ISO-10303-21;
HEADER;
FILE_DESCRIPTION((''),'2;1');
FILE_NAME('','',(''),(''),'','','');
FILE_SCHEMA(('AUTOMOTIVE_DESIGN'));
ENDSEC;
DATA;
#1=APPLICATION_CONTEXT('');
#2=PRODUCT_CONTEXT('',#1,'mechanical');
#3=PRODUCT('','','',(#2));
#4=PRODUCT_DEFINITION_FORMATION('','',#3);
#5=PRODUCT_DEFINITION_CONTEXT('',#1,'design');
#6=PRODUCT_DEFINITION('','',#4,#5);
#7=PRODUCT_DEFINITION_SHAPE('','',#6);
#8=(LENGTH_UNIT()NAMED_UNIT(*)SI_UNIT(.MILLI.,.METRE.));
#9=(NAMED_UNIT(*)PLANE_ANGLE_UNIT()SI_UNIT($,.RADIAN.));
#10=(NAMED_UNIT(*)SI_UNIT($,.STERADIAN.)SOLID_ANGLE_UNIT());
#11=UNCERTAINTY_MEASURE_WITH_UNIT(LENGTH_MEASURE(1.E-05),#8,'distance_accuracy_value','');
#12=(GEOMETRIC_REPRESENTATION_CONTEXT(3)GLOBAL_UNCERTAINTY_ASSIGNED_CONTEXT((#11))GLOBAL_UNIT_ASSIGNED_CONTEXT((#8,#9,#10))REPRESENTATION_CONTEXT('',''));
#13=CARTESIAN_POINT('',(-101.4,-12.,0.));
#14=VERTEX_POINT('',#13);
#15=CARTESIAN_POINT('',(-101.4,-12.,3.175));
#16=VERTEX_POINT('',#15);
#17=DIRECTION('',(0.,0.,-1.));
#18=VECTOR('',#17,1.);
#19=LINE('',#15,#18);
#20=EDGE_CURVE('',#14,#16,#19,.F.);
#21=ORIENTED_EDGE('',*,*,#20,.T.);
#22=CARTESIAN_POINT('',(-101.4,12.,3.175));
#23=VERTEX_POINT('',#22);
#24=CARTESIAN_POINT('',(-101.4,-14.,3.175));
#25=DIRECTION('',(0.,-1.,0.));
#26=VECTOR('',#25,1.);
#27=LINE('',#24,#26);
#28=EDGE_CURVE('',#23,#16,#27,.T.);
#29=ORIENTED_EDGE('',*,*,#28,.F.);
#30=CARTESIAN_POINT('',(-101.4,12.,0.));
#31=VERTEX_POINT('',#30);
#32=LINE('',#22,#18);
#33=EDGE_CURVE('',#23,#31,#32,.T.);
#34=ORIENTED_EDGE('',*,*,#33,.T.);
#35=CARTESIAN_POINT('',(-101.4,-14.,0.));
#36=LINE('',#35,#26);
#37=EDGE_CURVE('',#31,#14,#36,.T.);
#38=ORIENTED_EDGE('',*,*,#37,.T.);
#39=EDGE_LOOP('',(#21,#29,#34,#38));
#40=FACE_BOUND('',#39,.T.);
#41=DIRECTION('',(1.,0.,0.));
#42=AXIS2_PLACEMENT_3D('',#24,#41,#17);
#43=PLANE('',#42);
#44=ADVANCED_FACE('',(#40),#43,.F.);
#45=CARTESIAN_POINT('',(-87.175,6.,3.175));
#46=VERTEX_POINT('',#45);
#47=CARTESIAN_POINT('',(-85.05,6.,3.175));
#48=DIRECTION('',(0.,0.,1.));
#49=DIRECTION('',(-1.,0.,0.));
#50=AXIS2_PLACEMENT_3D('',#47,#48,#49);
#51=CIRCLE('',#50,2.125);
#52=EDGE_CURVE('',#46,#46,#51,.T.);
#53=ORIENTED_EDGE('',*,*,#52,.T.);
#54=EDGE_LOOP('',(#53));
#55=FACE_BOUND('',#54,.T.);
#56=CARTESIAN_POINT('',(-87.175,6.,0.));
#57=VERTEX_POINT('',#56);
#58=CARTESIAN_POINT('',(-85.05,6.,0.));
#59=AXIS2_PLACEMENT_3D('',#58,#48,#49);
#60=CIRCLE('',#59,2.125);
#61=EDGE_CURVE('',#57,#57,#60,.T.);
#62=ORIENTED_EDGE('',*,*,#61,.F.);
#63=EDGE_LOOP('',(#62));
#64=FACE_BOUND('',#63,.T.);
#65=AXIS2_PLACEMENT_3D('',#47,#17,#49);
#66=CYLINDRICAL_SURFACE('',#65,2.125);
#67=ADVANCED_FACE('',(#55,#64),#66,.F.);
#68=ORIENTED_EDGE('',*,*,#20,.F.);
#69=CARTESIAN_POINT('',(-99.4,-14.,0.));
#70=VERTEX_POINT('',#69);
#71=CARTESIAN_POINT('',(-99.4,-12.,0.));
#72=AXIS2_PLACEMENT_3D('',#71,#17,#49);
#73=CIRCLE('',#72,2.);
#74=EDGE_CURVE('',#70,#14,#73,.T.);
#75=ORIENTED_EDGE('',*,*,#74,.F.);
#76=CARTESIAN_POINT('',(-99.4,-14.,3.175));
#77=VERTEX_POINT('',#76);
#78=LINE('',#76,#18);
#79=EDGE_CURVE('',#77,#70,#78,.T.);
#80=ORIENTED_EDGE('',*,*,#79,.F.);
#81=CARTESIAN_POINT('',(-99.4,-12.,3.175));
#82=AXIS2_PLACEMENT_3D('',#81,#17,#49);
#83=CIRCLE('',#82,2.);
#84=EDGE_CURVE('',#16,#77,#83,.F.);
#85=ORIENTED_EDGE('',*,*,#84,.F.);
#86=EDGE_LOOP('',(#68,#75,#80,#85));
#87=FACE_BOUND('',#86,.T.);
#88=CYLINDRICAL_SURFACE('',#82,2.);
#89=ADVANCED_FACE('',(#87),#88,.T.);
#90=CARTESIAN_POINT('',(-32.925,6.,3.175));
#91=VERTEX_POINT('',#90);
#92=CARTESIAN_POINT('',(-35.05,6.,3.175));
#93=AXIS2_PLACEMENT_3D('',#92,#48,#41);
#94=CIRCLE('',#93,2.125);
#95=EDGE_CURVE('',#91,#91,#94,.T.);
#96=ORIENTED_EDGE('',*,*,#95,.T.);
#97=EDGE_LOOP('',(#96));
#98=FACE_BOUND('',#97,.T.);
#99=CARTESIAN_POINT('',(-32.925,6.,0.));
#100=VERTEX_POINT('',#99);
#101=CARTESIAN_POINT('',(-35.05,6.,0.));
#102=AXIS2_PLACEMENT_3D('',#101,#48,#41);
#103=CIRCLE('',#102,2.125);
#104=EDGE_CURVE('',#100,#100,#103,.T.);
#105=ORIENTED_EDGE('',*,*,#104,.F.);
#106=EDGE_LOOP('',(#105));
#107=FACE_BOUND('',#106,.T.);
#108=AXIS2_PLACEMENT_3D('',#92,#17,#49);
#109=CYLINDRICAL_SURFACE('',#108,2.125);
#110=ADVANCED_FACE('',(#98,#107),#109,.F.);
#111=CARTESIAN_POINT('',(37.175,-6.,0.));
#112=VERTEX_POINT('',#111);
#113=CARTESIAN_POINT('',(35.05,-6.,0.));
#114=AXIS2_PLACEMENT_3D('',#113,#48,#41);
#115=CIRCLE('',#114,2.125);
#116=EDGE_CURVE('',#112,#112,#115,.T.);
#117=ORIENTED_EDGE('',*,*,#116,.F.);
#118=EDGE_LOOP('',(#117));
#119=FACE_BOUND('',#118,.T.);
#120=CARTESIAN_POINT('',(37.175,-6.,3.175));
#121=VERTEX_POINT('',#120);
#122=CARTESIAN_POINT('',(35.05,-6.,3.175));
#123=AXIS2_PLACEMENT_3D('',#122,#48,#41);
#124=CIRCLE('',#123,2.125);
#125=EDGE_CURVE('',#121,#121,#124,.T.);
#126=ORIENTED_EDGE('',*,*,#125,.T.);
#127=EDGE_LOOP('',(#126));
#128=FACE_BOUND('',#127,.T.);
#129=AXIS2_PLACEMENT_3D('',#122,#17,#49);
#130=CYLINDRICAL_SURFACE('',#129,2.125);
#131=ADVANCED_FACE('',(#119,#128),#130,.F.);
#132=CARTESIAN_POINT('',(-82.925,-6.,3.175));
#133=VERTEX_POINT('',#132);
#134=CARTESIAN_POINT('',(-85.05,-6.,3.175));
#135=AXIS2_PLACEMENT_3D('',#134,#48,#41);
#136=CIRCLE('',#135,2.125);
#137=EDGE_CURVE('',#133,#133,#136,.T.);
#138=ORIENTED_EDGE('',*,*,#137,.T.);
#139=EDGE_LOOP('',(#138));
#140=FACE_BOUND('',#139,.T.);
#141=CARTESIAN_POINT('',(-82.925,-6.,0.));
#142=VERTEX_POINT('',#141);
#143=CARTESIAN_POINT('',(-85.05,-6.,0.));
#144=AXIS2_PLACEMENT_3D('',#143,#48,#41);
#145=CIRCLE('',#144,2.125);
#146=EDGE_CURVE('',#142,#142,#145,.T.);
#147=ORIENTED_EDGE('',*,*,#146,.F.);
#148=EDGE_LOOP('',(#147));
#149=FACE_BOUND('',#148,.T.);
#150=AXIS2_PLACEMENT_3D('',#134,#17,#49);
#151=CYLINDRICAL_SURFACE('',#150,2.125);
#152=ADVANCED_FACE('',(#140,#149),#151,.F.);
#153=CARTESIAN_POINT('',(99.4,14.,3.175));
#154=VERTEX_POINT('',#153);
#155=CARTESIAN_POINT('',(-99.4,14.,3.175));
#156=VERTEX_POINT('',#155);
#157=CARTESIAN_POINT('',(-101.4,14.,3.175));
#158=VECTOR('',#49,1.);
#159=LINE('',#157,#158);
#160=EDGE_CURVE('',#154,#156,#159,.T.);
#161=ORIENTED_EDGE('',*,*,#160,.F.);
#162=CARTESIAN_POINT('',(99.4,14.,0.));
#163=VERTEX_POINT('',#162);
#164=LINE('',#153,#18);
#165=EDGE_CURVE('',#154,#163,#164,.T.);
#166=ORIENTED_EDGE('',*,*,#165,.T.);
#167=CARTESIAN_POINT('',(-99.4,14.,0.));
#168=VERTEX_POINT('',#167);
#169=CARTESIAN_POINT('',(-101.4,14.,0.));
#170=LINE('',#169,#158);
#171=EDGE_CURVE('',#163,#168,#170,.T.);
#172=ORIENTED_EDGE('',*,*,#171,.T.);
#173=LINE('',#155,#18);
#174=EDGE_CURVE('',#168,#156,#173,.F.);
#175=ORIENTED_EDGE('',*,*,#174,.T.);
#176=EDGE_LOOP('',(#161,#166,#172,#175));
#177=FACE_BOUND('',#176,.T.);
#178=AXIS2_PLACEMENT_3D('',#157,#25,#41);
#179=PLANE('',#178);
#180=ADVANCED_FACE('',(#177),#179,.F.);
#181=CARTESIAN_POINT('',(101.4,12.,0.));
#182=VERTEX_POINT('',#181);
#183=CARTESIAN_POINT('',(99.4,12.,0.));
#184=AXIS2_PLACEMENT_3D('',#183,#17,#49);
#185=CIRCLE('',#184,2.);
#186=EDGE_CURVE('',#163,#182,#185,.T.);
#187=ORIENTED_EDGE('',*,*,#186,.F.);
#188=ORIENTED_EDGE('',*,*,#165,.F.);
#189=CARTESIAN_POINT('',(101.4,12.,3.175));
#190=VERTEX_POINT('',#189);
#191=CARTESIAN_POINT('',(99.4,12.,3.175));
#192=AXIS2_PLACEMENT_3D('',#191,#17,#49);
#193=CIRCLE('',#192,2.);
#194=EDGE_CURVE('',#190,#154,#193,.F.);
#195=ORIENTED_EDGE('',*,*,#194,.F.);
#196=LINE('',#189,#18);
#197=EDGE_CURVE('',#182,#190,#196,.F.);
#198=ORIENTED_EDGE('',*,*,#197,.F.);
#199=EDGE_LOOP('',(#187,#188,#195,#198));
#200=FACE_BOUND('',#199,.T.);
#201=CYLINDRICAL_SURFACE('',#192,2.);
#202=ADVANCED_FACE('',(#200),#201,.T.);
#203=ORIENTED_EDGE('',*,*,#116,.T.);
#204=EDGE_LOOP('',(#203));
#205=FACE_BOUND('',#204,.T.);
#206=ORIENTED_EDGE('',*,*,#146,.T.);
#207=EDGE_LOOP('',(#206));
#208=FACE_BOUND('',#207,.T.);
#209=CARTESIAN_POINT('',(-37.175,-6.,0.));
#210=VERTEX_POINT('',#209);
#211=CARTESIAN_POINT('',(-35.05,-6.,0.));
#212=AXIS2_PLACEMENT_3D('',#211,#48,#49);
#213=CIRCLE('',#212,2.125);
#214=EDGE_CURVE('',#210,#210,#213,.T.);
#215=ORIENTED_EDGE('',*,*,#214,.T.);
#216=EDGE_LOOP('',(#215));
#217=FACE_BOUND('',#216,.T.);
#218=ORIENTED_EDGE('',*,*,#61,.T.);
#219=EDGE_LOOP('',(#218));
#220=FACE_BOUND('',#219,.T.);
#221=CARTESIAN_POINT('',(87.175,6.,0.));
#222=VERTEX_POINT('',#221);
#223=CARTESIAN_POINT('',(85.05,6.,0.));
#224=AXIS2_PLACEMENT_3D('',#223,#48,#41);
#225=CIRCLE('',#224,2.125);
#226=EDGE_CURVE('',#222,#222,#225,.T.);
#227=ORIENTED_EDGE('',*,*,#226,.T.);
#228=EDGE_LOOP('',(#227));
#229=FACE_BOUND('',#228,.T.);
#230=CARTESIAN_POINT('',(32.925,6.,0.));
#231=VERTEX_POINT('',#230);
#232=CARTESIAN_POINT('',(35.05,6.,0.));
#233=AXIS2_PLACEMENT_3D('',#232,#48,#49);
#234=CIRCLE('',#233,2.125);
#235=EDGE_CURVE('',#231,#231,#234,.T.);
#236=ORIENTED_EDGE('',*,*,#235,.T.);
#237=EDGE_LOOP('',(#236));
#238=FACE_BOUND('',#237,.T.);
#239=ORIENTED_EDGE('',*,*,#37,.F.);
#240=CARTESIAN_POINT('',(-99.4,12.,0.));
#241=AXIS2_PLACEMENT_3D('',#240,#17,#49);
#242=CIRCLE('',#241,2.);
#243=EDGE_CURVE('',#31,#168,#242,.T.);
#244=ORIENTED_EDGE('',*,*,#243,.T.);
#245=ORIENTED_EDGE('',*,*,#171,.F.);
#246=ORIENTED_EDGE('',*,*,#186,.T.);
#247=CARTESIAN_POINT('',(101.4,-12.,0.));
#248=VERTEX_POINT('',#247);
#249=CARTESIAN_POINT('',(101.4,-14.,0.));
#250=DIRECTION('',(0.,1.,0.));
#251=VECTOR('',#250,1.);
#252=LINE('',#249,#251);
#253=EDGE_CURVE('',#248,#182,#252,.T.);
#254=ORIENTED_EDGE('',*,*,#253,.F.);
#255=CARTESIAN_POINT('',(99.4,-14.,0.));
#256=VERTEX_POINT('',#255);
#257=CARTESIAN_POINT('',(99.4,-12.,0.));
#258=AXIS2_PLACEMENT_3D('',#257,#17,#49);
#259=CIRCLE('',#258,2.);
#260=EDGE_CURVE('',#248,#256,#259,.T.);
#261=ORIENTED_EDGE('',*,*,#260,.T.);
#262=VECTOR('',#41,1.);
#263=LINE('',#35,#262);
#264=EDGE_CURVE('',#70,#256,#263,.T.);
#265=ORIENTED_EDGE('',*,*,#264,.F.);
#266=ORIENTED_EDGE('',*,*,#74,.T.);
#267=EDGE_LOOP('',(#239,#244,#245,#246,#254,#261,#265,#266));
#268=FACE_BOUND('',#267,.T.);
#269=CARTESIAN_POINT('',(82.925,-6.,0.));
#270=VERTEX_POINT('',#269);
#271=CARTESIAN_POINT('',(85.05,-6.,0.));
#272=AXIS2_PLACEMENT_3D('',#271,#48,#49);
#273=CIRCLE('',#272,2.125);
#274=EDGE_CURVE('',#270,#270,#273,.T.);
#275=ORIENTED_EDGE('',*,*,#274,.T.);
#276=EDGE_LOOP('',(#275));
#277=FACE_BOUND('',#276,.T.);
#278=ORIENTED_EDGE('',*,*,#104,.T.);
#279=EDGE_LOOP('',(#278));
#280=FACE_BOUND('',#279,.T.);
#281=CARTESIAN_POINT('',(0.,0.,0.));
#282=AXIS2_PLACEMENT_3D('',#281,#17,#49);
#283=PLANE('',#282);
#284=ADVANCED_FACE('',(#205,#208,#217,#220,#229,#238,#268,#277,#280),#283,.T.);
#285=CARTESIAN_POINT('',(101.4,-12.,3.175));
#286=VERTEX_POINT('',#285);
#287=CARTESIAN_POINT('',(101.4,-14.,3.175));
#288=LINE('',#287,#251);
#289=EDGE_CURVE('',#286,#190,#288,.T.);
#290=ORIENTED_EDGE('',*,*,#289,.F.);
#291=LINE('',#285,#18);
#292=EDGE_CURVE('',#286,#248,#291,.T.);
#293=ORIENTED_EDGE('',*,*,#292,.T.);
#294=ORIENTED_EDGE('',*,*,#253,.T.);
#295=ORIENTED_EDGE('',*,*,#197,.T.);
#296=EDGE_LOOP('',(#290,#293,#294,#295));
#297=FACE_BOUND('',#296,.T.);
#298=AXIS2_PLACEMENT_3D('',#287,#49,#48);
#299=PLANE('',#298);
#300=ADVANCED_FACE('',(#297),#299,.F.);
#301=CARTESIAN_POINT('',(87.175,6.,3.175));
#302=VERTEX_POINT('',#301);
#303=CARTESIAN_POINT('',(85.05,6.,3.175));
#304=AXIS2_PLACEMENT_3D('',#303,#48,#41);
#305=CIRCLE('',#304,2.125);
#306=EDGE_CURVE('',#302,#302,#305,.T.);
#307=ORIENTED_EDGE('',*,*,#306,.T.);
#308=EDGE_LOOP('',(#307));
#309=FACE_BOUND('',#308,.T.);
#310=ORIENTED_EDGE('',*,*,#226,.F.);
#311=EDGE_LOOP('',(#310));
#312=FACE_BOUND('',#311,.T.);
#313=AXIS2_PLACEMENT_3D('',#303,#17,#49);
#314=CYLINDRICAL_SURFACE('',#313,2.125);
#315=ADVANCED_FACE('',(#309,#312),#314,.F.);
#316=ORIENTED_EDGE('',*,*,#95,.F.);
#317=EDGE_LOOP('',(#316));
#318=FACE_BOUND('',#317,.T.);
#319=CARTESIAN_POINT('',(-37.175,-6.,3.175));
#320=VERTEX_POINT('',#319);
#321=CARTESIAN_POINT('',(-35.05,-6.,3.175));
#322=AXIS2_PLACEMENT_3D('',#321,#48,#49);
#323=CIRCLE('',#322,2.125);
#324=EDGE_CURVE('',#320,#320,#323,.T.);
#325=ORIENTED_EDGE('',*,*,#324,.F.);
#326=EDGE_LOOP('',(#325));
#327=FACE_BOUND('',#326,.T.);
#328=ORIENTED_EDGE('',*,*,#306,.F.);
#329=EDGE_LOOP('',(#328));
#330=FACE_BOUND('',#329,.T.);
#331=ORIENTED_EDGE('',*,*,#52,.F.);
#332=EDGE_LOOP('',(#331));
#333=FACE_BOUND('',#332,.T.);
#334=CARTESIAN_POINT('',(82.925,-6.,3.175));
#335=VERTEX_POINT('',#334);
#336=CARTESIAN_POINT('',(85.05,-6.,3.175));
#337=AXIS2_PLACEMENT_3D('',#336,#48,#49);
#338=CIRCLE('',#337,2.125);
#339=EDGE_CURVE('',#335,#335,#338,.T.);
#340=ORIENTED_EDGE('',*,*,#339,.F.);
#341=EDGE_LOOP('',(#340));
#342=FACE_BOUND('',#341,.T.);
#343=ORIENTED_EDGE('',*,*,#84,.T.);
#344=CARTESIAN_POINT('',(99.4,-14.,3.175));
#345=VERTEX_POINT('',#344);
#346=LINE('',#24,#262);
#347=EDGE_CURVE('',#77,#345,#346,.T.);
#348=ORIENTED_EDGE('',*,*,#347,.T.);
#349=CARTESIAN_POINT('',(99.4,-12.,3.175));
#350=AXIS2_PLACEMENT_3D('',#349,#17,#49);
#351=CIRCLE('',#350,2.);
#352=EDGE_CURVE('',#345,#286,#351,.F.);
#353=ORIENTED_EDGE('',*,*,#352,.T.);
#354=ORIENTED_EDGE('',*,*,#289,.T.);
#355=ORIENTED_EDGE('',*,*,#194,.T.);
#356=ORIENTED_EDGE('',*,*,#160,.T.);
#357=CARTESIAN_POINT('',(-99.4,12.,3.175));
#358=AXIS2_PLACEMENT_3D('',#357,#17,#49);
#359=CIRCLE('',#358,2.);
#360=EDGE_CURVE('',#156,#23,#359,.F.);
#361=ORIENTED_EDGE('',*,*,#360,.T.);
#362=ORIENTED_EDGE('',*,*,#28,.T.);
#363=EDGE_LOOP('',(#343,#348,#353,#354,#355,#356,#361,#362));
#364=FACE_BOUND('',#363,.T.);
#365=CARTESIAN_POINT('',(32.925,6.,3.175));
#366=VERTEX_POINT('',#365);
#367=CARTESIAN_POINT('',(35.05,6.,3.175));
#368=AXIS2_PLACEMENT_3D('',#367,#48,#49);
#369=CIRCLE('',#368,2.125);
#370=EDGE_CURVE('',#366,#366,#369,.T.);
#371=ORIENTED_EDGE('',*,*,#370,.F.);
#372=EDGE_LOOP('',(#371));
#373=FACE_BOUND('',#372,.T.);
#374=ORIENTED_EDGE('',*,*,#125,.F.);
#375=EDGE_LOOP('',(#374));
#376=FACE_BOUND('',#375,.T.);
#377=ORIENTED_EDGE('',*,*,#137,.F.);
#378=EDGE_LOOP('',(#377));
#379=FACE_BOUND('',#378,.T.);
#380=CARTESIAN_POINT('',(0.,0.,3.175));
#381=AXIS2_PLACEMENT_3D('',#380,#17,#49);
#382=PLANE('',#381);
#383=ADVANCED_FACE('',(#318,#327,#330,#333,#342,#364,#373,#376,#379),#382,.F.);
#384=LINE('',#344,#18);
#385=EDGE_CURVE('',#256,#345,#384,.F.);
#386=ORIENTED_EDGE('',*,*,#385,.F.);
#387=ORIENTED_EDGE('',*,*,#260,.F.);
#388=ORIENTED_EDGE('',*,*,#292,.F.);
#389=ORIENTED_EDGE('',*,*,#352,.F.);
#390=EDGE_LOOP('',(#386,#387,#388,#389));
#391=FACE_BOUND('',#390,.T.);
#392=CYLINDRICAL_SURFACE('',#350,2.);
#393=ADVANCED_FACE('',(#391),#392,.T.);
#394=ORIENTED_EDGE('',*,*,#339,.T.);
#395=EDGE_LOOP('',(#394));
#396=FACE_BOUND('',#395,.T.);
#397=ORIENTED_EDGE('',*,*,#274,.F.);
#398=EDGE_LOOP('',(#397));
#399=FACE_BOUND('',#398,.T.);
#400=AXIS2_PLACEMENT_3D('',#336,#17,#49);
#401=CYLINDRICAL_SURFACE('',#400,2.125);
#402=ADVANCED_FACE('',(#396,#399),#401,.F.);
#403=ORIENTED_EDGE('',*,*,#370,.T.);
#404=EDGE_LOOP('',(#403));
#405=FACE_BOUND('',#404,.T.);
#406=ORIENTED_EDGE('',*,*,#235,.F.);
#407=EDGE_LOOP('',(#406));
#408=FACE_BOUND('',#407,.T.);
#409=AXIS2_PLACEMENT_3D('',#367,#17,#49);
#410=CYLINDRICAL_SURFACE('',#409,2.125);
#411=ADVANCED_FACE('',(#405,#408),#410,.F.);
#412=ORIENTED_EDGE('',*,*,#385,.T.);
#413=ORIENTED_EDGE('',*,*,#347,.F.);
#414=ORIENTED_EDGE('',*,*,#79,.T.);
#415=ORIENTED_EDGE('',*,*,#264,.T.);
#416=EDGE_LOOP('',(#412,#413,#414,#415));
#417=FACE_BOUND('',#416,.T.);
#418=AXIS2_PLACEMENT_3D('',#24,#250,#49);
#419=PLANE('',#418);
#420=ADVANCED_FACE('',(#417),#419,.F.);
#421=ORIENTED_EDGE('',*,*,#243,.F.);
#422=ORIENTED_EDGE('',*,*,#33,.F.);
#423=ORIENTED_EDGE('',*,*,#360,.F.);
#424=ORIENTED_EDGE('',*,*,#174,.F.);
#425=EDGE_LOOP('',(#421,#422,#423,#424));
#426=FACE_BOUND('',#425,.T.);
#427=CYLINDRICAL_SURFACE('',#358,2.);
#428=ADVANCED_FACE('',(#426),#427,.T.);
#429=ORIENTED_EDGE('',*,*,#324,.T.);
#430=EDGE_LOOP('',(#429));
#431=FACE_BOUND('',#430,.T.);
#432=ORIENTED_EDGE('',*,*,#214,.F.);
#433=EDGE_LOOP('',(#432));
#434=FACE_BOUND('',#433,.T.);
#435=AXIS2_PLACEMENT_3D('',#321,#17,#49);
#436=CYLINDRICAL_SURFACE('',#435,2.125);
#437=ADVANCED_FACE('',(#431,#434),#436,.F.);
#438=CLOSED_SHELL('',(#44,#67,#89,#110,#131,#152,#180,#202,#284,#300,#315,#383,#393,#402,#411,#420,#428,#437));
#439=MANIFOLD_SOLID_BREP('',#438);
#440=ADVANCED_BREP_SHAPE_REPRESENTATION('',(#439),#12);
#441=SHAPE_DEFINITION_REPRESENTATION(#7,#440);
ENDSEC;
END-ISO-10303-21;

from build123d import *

# Parameters (mm, degrees)
SKETCH1_W           = 202.8
SKETCH1_H           = 28
SKETCH1_R           = 2.125
BOSS_EXTRUDE1_DEPTH = 3.175
FILLET1_R           = 2


with BuildPart() as part:
    # Sketch1 → Boss-Extrude1 (new body)
    with BuildSketch(Plane.XY):
        Rectangle(SKETCH1_W, SKETCH1_H)
        with Locations((85.05, 6)):
            Circle(SKETCH1_R, mode=Mode.SUBTRACT)
        with Locations(Location((85.05, -6, 0), (0, 0, 180))):
            Circle(SKETCH1_R, mode=Mode.SUBTRACT)
        with Locations((-85.05, -6)):
            Circle(SKETCH1_R, mode=Mode.SUBTRACT)
        with Locations(Location((-85.05, 6, 0), (0, 0, 180))):
            Circle(SKETCH1_R, mode=Mode.SUBTRACT)
        with Locations((-35.05, 6)):
            Circle(SKETCH1_R, mode=Mode.SUBTRACT)
        with Locations(Location((-35.05, -6, 0), (0, 0, 180))):
            Circle(SKETCH1_R, mode=Mode.SUBTRACT)
        with Locations((35.05, -6)):
            Circle(SKETCH1_R, mode=Mode.SUBTRACT)
        with Locations(Location((35.05, 6, 0), (0, 0, 180))):
            Circle(SKETCH1_R, mode=Mode.SUBTRACT)
    extrude(amount=BOSS_EXTRUDE1_DEPTH)

    # Fillet1
    fillet1_edges = [part.edges().sort_by_distance(p)[0] for p in [
        (101.4, -14, 1.5875),
        (-101.4, -14, 1.5875),
        (-101.4, 14, 1.5875),
        (101.4, 14, 1.5875),
    ]]
    fillet(fillet1_edges, radius=FILLET1_R)


solid = part.part
